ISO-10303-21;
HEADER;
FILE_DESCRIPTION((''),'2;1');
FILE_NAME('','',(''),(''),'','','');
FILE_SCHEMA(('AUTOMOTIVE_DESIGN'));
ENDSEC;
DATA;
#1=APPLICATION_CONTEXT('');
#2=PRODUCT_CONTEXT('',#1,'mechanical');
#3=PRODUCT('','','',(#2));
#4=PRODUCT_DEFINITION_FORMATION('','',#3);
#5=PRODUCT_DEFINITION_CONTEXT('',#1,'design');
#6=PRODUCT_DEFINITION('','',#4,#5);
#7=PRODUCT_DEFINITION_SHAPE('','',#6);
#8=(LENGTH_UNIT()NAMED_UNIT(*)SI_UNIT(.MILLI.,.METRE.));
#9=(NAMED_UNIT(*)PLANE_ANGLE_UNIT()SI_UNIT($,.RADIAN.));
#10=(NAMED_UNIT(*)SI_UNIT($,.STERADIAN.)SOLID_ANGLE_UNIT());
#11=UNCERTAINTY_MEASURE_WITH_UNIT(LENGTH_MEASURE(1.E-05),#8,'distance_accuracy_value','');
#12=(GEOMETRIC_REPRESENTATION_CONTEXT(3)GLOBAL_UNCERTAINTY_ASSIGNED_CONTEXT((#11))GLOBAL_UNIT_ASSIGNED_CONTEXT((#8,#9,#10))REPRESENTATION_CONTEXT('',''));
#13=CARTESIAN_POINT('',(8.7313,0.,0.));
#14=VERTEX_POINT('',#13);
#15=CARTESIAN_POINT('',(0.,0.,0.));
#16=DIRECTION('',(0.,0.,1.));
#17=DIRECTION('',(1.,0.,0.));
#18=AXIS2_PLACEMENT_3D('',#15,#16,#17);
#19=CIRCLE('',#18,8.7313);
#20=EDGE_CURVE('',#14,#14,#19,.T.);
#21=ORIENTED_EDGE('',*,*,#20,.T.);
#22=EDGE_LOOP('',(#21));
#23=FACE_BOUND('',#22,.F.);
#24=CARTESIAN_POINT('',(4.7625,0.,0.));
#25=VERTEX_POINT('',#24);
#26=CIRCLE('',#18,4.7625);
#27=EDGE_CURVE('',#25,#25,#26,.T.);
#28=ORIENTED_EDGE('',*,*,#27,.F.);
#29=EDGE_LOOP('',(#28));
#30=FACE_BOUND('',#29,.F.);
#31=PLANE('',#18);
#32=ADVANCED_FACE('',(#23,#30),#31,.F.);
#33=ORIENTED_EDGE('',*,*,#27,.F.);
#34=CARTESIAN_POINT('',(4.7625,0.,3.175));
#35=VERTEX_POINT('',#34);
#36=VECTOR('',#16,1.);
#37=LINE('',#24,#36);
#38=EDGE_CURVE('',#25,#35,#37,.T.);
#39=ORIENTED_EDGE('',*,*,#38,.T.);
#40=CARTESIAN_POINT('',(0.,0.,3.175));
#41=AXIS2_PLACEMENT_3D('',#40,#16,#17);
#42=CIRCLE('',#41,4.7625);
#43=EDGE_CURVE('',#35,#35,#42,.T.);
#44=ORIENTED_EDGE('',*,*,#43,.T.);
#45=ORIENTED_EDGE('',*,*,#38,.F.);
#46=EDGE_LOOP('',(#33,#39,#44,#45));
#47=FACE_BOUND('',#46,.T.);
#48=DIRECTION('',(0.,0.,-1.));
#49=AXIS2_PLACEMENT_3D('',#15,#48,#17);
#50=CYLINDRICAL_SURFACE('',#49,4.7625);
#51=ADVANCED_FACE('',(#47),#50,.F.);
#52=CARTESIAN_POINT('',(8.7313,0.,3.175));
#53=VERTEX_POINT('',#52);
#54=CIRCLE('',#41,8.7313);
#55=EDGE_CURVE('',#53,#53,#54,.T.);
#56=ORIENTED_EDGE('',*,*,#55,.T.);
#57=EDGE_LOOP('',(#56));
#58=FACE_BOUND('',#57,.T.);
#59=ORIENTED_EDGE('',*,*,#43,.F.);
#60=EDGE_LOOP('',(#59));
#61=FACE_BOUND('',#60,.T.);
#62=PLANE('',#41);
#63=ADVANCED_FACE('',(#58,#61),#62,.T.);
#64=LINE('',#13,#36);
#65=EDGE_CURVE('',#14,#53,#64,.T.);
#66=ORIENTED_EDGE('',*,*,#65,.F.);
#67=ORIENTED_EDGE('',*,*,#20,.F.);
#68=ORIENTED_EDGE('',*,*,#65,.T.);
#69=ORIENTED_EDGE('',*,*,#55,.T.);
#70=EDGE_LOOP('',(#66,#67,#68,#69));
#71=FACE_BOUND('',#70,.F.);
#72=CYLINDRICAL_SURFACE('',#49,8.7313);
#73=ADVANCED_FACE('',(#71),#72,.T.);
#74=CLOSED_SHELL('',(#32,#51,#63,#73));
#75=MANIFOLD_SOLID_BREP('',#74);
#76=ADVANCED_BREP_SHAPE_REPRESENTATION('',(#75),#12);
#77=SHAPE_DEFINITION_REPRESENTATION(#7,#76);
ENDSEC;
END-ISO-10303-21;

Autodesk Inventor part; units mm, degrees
ref_plane "YZ Plane" through (0, 0, 0) normal (1, 0, 0) x (0, 1, 0)
ref_plane "XZ Plane" through (0, 0, 0) normal (0, 1, 0) x (-1, 0, 0)
ref_plane "XY Plane" through (0, 0, 0) normal (0, 0, 1) x (1, 0, 0)
sketch "Sketch1" plane through (0, 0, 0) normal (0, 0, 1) x (1, 0, 0)
  circle A0 centre (0, 0) radius 8.7313
  circle A1 centre (0, 0) radius 4.7625
  dimension "d0" = 17.4625
  dimension "d1" = 9.525
extrude "Extrusion1" add sketch "Sketch1" along normal blind 3.175
properties part number "centering ring"
